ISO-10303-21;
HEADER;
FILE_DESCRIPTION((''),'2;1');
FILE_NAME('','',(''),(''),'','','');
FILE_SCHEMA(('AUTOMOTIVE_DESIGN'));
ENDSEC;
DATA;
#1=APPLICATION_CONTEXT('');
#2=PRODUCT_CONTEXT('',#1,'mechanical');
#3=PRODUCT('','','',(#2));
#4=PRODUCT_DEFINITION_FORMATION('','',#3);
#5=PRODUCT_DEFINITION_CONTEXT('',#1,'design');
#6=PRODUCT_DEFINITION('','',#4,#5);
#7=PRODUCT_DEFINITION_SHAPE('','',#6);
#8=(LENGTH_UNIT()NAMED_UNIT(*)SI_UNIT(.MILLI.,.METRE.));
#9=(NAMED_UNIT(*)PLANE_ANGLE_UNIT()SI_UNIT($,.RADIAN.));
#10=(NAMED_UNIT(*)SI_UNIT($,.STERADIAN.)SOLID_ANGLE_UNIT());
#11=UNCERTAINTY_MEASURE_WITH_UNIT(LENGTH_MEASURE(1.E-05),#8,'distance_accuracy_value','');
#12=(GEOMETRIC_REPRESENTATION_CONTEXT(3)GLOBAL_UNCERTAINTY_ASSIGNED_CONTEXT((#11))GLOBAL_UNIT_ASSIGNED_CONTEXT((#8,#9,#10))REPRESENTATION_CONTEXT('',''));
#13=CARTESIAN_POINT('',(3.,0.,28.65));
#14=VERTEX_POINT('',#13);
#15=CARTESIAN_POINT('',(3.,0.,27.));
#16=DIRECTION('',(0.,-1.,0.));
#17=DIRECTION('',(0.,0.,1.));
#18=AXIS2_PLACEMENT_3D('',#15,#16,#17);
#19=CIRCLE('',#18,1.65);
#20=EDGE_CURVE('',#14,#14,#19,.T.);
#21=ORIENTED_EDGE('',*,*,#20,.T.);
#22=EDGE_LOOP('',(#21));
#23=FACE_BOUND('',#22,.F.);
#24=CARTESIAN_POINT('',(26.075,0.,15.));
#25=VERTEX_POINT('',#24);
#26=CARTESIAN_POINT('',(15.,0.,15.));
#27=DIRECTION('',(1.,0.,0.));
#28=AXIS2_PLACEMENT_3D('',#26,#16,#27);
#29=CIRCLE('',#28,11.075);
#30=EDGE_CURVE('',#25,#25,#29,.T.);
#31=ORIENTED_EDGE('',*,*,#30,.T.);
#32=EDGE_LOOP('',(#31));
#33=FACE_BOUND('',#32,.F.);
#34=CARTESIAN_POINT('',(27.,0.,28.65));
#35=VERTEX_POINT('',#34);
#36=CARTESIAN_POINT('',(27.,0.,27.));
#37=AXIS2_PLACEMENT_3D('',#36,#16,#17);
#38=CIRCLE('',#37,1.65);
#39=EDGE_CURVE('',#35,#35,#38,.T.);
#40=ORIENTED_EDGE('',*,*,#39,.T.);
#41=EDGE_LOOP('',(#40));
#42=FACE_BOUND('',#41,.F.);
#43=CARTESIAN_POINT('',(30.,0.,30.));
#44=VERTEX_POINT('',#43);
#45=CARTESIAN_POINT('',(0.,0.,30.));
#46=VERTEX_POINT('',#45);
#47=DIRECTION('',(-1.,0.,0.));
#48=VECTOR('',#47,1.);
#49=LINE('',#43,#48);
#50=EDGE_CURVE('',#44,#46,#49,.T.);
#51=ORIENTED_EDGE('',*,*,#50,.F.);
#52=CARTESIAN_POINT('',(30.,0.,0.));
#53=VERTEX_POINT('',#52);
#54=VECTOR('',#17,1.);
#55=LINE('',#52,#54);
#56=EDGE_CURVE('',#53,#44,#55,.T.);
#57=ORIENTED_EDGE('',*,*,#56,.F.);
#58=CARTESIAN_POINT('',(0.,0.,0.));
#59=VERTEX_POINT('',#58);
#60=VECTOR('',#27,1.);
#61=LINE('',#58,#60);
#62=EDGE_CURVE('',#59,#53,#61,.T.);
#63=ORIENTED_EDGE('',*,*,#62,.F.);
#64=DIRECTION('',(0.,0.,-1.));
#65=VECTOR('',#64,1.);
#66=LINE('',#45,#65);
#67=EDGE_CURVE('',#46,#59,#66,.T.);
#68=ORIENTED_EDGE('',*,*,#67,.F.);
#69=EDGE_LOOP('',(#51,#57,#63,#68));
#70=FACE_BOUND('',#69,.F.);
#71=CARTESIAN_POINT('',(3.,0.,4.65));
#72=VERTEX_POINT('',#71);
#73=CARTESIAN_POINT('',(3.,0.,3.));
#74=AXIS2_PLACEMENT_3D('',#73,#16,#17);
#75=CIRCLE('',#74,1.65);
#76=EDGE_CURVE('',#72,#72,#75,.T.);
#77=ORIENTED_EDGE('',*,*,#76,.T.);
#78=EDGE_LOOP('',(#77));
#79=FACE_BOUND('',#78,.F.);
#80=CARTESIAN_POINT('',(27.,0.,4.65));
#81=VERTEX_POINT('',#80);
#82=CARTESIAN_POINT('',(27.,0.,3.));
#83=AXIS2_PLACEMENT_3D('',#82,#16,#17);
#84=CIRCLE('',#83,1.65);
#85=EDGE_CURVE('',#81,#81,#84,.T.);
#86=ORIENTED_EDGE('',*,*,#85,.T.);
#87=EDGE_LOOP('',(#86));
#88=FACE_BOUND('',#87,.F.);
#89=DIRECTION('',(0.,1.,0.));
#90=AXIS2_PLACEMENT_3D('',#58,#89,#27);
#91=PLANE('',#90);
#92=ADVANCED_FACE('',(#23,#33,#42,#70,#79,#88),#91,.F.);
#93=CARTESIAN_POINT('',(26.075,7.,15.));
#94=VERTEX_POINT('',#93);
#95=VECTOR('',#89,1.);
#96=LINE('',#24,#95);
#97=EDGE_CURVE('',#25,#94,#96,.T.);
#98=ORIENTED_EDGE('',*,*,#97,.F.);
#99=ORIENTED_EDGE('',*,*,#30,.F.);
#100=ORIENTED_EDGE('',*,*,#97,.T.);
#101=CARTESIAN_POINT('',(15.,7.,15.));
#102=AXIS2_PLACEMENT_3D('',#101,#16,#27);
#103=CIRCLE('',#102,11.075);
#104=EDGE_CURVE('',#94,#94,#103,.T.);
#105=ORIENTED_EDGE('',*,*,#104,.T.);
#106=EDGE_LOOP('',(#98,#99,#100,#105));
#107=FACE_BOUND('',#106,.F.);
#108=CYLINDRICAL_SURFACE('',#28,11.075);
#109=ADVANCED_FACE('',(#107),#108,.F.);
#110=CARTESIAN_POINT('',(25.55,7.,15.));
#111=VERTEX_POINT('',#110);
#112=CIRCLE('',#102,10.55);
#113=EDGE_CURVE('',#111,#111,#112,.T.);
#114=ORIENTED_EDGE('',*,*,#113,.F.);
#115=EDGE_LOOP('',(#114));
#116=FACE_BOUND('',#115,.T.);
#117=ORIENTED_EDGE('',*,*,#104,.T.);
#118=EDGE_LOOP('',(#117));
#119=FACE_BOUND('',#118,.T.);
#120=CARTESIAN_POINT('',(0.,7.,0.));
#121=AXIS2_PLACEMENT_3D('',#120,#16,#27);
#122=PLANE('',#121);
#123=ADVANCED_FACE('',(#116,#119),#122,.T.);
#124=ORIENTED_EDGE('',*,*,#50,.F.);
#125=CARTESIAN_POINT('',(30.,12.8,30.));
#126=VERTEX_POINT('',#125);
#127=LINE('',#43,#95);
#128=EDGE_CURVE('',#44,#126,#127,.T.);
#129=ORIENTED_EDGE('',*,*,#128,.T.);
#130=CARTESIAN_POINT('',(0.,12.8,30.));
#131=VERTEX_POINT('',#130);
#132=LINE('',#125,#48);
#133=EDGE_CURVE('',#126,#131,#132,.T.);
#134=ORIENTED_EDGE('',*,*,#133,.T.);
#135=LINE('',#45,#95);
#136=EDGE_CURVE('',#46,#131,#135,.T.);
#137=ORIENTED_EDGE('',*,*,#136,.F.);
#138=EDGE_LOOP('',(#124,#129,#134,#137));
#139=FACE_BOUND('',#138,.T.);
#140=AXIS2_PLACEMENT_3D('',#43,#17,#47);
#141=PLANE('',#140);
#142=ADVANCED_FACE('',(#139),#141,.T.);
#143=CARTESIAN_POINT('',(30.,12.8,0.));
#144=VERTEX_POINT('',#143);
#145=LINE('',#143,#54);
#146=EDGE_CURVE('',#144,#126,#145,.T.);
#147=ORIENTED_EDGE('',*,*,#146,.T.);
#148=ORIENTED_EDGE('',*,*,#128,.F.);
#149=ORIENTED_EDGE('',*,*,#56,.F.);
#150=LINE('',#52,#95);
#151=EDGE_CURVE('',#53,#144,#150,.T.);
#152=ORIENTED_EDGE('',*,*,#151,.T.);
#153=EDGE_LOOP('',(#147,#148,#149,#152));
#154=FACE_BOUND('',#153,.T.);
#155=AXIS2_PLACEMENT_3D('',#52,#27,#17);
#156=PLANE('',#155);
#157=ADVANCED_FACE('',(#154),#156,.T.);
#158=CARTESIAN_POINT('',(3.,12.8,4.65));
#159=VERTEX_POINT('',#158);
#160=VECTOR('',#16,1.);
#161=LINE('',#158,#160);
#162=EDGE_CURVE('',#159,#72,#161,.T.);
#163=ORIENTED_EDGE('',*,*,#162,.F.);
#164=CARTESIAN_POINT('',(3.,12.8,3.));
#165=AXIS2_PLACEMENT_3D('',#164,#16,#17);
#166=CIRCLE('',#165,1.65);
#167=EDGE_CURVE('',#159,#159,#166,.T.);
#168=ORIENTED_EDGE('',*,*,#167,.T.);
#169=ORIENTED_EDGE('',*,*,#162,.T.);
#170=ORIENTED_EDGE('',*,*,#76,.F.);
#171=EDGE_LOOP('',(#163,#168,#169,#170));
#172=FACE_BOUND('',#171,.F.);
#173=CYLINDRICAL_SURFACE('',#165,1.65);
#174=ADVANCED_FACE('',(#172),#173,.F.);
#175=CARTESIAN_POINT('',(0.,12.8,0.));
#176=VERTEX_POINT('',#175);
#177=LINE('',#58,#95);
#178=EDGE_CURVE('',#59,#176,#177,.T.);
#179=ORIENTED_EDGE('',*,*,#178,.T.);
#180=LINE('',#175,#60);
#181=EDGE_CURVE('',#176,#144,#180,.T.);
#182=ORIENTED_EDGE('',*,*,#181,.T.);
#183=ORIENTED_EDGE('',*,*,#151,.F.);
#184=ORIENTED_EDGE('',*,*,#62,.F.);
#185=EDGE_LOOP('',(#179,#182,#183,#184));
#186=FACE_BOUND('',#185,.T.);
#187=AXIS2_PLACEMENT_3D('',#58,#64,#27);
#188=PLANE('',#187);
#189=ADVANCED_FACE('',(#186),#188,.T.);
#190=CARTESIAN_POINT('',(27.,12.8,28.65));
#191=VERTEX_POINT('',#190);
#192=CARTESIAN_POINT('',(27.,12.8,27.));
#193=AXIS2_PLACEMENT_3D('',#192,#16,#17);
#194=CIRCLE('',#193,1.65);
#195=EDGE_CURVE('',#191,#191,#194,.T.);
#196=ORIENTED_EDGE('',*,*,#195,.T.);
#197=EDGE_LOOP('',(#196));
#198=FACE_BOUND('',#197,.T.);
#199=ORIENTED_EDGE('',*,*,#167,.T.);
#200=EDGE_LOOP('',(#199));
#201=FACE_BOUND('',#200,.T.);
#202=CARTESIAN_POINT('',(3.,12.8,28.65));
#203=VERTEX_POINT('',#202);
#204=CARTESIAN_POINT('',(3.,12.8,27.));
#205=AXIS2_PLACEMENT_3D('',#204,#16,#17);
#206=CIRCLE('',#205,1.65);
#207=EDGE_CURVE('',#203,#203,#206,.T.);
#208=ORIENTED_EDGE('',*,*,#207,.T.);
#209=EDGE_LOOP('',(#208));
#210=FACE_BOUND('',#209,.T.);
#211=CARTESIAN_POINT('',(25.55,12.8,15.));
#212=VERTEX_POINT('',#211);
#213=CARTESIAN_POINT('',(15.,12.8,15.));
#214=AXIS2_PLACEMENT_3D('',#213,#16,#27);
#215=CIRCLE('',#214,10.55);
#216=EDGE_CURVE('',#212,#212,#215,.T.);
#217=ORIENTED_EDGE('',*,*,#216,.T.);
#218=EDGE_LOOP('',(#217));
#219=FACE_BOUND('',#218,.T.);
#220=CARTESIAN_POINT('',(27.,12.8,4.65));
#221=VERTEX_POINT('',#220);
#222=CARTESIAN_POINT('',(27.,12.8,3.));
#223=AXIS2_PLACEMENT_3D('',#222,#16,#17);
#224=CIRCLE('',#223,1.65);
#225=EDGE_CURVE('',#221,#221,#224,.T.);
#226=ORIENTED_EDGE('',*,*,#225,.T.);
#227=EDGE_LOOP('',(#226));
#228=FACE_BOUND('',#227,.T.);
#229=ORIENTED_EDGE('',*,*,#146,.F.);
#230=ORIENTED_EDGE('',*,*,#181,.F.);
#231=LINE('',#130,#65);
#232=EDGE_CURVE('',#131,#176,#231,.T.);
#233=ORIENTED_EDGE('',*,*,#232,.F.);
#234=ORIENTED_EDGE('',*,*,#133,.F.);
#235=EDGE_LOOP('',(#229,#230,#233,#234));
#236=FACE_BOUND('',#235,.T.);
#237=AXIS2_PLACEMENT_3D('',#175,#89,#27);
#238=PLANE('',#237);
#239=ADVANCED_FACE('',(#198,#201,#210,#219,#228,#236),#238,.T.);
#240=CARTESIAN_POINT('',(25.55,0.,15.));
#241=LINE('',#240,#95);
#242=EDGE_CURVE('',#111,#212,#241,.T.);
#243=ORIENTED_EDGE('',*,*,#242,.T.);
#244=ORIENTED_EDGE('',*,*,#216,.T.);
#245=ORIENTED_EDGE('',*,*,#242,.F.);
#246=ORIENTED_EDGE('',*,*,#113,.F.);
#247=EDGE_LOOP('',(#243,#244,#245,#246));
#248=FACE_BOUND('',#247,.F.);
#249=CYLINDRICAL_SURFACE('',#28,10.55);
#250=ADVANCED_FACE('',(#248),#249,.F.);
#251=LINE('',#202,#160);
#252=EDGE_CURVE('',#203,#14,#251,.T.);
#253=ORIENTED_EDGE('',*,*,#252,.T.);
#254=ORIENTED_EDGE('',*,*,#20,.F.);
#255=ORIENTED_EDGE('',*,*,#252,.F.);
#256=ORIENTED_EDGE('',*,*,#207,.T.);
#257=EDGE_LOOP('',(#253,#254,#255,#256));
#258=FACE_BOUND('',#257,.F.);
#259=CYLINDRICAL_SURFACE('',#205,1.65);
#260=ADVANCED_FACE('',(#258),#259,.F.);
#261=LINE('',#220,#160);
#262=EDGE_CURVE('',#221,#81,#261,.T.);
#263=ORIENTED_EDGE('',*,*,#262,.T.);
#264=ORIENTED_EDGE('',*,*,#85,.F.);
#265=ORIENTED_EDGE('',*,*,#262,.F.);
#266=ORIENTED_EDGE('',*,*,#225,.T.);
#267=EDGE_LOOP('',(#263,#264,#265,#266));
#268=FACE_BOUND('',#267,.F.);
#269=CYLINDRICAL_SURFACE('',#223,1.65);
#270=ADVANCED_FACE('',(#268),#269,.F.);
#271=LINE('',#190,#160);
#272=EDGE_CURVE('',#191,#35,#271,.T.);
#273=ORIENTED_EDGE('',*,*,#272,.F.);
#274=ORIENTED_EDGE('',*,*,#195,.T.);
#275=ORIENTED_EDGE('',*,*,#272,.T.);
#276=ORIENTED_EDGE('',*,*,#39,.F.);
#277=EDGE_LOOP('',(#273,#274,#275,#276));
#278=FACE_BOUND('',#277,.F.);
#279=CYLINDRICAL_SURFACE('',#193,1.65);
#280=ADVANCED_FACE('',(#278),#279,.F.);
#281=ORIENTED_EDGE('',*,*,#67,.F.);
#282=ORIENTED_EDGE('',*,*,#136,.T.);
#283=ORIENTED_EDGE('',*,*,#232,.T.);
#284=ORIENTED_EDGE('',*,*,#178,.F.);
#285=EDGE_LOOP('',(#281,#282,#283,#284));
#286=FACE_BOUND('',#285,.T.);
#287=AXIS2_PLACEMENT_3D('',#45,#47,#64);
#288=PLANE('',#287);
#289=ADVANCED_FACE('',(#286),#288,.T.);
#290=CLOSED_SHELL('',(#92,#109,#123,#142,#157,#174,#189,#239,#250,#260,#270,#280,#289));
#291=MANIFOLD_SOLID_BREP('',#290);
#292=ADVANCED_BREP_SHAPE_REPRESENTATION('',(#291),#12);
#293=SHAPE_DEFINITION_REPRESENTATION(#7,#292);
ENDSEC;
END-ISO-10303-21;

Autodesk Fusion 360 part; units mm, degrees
sketch "Sketch1" plane through (0, 0, 0) normal (0, 1, 0) x (1, 0, 0)
  line L0 (0, 0) -> (30, 0)
  line L1 (30, 0) -> (30, -30)
  line L2 (30, -30) -> (0, -30)
  line L3 (0, -30) -> (0, 0)
  dimension "d1" = 30
extrude "Extrude1" add sketch "Sketch1" along normal blind 12.8
sketch "Sketch2" plane through (0, 12.8, 0) normal (0, 1, 0) x (-1, 0, 0)
  line L0 (0, 30) -> (-30, 30)
  line L1 (-30, 30) -> (-30, 0)
  line L2 (-30, 0) -> (0, 0)
  line L3 (0, 0) -> (0, 30)
  line L4 (0, 15) -> (-30, 15) construction
  line L5 (-15, 0) -> (-15, 30) construction
  circle A0 centre (-15, 15) radius 4.5
  line L6 (-3, 27) -> (-27, 27) construction
  line L7 (-27, 27) -> (-27, 3) construction
  line L8 (-27, 3) -> (-3, 3) construction
  line L9 (-3, 3) -> (-3, 27) construction
  line L10 (-3, 27) -> (-27, 3) construction
  line L11 (-27, 27) -> (-3, 3) construction
  point P0 (-15, 15)
  point P1 (-15, 15)
  point P2 (-27, 3)
  point P3 (-3, 3)
  point P4 (-3, 27)
  point P5 (-27, 27)
  dimension "d7" = 9
  dimension "d14" = 24
  dimension "d15" = 24
sketch "Sketch3" plane through (0, 0, 0) normal (0, -1, 0) x (1, 0, 0)
  line L0 (30, 30) -> (0, 30)
  line L1 (0, 30) -> (0, 0)
  line L2 (0, 0) -> (30, 0)
  line L3 (30, 0) -> (30, 30)
  circle A0 centre (15, 15) radius 11.075
  circle A1 centre (15, 15) radius 10.55
  dimension "d11" = 22.15
  dimension "d31" = 21.1
hole "Hole2" at (3, 12.8, 3) direction (0, -1, 0) diameter 3.3 end through all
hole "Hole3" at (27, 12.8, 3) direction (0, -1, 0) diameter 3.3 end through all
hole "Hole4" at (27, 12.8, 27) direction (0, -1, 0) diameter 3.3 end through all
hole "Hole5" at (3, 12.8, 27) direction (0, -1, 0) diameter 3.3 end through all
extrude "Extrude7" cut sketch "Sketch3" against normal blind 7 contours A0
extrude "Extrude8" cut sketch "Sketch3" against normal through all contours A1
